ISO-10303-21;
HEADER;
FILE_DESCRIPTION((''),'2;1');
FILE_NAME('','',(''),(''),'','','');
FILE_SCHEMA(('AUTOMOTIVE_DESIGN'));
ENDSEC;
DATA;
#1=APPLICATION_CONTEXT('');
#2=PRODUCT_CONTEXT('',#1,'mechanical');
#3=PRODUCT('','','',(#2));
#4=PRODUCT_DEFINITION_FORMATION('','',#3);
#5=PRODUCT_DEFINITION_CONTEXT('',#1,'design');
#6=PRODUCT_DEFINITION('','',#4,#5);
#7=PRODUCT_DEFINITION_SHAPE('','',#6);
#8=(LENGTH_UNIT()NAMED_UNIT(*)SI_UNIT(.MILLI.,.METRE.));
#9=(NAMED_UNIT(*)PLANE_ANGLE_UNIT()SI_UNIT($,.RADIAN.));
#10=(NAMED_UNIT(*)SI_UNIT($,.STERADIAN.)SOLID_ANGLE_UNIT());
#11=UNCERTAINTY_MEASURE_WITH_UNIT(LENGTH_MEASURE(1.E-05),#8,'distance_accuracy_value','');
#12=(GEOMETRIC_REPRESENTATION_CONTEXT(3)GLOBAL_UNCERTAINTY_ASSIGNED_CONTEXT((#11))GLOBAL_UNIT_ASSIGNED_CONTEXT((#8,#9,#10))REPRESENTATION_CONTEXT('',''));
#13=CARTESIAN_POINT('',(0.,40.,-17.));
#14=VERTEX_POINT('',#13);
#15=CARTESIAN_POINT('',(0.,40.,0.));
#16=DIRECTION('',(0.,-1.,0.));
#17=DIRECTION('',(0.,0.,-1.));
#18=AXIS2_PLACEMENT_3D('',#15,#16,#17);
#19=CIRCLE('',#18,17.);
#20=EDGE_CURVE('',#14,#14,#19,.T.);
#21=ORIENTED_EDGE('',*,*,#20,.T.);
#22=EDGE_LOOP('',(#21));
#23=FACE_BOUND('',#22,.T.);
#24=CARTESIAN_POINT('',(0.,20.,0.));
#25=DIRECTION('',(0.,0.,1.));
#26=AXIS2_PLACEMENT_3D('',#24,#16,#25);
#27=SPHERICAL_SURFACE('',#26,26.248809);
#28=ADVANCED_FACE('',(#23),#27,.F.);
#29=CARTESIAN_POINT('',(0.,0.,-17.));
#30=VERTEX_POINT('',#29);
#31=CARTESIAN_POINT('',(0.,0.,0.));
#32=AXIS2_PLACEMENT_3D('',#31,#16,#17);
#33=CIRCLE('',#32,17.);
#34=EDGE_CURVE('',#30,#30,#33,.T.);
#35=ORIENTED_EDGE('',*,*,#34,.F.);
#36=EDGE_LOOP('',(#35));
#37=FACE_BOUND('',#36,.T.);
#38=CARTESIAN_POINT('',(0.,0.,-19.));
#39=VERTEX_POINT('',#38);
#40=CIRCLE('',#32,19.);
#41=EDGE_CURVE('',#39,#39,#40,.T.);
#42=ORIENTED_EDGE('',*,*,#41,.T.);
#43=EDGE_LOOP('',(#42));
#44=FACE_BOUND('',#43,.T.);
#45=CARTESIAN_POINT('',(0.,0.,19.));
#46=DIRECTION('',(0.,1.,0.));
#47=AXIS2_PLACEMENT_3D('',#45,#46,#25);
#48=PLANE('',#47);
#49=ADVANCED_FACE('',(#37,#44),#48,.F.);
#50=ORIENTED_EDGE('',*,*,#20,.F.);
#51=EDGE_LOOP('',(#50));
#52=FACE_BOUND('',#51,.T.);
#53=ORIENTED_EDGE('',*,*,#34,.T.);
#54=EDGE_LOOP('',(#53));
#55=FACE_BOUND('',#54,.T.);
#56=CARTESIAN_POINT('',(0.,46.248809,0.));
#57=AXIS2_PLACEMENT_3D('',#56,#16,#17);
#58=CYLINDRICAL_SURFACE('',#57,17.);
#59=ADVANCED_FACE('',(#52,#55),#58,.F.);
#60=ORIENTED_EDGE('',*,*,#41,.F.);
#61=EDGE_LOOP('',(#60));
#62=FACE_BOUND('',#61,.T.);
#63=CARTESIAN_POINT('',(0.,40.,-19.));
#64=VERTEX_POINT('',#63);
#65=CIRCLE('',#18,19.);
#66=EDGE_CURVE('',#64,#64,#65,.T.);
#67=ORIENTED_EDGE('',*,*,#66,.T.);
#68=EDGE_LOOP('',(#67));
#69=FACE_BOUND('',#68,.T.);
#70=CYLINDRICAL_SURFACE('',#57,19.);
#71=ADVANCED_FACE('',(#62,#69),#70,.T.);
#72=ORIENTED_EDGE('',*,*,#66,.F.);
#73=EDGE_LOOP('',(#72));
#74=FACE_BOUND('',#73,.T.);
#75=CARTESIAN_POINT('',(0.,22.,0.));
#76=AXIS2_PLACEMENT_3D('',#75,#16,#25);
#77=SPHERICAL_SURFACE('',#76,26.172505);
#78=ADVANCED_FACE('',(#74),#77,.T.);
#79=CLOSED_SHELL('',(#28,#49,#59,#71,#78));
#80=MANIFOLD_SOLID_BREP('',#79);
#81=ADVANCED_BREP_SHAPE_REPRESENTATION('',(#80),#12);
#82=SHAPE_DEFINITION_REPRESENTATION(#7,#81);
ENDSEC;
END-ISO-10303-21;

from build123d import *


with BuildPart() as part:
    # Sketch35 → Revolve1 (revolve)
    with BuildSketch(Plane(origin=(0, 0, 0), x_dir=(0, 0, -1), z_dir=(1, 0, 0)), mode=Mode.PRIVATE) as revolve1_sk:
        with BuildLine():
            Line((-17, 0), (-17, 40))
            ThreePointArc((-17, 40), (-9.05604246, 44.637128383), (0, 46.248809497))
            Line((0, 46.248809497), (0, 48.172504657))
            ThreePointArc((0, 48.172504657), (-10.341540412, 46.042723263), (-19, 40))
            Line((-19, 40), (-19, 0))
            Line((-19, 0), (-17, 0))
        make_face()
    revolve(revolve1_sk.sketch.rotate(Axis((0, 46.248809497, 0), (0, 1, 0)), 180), axis=Axis((0, 46.248809497, 0), (0, 1, 0)))


solid = part.part
